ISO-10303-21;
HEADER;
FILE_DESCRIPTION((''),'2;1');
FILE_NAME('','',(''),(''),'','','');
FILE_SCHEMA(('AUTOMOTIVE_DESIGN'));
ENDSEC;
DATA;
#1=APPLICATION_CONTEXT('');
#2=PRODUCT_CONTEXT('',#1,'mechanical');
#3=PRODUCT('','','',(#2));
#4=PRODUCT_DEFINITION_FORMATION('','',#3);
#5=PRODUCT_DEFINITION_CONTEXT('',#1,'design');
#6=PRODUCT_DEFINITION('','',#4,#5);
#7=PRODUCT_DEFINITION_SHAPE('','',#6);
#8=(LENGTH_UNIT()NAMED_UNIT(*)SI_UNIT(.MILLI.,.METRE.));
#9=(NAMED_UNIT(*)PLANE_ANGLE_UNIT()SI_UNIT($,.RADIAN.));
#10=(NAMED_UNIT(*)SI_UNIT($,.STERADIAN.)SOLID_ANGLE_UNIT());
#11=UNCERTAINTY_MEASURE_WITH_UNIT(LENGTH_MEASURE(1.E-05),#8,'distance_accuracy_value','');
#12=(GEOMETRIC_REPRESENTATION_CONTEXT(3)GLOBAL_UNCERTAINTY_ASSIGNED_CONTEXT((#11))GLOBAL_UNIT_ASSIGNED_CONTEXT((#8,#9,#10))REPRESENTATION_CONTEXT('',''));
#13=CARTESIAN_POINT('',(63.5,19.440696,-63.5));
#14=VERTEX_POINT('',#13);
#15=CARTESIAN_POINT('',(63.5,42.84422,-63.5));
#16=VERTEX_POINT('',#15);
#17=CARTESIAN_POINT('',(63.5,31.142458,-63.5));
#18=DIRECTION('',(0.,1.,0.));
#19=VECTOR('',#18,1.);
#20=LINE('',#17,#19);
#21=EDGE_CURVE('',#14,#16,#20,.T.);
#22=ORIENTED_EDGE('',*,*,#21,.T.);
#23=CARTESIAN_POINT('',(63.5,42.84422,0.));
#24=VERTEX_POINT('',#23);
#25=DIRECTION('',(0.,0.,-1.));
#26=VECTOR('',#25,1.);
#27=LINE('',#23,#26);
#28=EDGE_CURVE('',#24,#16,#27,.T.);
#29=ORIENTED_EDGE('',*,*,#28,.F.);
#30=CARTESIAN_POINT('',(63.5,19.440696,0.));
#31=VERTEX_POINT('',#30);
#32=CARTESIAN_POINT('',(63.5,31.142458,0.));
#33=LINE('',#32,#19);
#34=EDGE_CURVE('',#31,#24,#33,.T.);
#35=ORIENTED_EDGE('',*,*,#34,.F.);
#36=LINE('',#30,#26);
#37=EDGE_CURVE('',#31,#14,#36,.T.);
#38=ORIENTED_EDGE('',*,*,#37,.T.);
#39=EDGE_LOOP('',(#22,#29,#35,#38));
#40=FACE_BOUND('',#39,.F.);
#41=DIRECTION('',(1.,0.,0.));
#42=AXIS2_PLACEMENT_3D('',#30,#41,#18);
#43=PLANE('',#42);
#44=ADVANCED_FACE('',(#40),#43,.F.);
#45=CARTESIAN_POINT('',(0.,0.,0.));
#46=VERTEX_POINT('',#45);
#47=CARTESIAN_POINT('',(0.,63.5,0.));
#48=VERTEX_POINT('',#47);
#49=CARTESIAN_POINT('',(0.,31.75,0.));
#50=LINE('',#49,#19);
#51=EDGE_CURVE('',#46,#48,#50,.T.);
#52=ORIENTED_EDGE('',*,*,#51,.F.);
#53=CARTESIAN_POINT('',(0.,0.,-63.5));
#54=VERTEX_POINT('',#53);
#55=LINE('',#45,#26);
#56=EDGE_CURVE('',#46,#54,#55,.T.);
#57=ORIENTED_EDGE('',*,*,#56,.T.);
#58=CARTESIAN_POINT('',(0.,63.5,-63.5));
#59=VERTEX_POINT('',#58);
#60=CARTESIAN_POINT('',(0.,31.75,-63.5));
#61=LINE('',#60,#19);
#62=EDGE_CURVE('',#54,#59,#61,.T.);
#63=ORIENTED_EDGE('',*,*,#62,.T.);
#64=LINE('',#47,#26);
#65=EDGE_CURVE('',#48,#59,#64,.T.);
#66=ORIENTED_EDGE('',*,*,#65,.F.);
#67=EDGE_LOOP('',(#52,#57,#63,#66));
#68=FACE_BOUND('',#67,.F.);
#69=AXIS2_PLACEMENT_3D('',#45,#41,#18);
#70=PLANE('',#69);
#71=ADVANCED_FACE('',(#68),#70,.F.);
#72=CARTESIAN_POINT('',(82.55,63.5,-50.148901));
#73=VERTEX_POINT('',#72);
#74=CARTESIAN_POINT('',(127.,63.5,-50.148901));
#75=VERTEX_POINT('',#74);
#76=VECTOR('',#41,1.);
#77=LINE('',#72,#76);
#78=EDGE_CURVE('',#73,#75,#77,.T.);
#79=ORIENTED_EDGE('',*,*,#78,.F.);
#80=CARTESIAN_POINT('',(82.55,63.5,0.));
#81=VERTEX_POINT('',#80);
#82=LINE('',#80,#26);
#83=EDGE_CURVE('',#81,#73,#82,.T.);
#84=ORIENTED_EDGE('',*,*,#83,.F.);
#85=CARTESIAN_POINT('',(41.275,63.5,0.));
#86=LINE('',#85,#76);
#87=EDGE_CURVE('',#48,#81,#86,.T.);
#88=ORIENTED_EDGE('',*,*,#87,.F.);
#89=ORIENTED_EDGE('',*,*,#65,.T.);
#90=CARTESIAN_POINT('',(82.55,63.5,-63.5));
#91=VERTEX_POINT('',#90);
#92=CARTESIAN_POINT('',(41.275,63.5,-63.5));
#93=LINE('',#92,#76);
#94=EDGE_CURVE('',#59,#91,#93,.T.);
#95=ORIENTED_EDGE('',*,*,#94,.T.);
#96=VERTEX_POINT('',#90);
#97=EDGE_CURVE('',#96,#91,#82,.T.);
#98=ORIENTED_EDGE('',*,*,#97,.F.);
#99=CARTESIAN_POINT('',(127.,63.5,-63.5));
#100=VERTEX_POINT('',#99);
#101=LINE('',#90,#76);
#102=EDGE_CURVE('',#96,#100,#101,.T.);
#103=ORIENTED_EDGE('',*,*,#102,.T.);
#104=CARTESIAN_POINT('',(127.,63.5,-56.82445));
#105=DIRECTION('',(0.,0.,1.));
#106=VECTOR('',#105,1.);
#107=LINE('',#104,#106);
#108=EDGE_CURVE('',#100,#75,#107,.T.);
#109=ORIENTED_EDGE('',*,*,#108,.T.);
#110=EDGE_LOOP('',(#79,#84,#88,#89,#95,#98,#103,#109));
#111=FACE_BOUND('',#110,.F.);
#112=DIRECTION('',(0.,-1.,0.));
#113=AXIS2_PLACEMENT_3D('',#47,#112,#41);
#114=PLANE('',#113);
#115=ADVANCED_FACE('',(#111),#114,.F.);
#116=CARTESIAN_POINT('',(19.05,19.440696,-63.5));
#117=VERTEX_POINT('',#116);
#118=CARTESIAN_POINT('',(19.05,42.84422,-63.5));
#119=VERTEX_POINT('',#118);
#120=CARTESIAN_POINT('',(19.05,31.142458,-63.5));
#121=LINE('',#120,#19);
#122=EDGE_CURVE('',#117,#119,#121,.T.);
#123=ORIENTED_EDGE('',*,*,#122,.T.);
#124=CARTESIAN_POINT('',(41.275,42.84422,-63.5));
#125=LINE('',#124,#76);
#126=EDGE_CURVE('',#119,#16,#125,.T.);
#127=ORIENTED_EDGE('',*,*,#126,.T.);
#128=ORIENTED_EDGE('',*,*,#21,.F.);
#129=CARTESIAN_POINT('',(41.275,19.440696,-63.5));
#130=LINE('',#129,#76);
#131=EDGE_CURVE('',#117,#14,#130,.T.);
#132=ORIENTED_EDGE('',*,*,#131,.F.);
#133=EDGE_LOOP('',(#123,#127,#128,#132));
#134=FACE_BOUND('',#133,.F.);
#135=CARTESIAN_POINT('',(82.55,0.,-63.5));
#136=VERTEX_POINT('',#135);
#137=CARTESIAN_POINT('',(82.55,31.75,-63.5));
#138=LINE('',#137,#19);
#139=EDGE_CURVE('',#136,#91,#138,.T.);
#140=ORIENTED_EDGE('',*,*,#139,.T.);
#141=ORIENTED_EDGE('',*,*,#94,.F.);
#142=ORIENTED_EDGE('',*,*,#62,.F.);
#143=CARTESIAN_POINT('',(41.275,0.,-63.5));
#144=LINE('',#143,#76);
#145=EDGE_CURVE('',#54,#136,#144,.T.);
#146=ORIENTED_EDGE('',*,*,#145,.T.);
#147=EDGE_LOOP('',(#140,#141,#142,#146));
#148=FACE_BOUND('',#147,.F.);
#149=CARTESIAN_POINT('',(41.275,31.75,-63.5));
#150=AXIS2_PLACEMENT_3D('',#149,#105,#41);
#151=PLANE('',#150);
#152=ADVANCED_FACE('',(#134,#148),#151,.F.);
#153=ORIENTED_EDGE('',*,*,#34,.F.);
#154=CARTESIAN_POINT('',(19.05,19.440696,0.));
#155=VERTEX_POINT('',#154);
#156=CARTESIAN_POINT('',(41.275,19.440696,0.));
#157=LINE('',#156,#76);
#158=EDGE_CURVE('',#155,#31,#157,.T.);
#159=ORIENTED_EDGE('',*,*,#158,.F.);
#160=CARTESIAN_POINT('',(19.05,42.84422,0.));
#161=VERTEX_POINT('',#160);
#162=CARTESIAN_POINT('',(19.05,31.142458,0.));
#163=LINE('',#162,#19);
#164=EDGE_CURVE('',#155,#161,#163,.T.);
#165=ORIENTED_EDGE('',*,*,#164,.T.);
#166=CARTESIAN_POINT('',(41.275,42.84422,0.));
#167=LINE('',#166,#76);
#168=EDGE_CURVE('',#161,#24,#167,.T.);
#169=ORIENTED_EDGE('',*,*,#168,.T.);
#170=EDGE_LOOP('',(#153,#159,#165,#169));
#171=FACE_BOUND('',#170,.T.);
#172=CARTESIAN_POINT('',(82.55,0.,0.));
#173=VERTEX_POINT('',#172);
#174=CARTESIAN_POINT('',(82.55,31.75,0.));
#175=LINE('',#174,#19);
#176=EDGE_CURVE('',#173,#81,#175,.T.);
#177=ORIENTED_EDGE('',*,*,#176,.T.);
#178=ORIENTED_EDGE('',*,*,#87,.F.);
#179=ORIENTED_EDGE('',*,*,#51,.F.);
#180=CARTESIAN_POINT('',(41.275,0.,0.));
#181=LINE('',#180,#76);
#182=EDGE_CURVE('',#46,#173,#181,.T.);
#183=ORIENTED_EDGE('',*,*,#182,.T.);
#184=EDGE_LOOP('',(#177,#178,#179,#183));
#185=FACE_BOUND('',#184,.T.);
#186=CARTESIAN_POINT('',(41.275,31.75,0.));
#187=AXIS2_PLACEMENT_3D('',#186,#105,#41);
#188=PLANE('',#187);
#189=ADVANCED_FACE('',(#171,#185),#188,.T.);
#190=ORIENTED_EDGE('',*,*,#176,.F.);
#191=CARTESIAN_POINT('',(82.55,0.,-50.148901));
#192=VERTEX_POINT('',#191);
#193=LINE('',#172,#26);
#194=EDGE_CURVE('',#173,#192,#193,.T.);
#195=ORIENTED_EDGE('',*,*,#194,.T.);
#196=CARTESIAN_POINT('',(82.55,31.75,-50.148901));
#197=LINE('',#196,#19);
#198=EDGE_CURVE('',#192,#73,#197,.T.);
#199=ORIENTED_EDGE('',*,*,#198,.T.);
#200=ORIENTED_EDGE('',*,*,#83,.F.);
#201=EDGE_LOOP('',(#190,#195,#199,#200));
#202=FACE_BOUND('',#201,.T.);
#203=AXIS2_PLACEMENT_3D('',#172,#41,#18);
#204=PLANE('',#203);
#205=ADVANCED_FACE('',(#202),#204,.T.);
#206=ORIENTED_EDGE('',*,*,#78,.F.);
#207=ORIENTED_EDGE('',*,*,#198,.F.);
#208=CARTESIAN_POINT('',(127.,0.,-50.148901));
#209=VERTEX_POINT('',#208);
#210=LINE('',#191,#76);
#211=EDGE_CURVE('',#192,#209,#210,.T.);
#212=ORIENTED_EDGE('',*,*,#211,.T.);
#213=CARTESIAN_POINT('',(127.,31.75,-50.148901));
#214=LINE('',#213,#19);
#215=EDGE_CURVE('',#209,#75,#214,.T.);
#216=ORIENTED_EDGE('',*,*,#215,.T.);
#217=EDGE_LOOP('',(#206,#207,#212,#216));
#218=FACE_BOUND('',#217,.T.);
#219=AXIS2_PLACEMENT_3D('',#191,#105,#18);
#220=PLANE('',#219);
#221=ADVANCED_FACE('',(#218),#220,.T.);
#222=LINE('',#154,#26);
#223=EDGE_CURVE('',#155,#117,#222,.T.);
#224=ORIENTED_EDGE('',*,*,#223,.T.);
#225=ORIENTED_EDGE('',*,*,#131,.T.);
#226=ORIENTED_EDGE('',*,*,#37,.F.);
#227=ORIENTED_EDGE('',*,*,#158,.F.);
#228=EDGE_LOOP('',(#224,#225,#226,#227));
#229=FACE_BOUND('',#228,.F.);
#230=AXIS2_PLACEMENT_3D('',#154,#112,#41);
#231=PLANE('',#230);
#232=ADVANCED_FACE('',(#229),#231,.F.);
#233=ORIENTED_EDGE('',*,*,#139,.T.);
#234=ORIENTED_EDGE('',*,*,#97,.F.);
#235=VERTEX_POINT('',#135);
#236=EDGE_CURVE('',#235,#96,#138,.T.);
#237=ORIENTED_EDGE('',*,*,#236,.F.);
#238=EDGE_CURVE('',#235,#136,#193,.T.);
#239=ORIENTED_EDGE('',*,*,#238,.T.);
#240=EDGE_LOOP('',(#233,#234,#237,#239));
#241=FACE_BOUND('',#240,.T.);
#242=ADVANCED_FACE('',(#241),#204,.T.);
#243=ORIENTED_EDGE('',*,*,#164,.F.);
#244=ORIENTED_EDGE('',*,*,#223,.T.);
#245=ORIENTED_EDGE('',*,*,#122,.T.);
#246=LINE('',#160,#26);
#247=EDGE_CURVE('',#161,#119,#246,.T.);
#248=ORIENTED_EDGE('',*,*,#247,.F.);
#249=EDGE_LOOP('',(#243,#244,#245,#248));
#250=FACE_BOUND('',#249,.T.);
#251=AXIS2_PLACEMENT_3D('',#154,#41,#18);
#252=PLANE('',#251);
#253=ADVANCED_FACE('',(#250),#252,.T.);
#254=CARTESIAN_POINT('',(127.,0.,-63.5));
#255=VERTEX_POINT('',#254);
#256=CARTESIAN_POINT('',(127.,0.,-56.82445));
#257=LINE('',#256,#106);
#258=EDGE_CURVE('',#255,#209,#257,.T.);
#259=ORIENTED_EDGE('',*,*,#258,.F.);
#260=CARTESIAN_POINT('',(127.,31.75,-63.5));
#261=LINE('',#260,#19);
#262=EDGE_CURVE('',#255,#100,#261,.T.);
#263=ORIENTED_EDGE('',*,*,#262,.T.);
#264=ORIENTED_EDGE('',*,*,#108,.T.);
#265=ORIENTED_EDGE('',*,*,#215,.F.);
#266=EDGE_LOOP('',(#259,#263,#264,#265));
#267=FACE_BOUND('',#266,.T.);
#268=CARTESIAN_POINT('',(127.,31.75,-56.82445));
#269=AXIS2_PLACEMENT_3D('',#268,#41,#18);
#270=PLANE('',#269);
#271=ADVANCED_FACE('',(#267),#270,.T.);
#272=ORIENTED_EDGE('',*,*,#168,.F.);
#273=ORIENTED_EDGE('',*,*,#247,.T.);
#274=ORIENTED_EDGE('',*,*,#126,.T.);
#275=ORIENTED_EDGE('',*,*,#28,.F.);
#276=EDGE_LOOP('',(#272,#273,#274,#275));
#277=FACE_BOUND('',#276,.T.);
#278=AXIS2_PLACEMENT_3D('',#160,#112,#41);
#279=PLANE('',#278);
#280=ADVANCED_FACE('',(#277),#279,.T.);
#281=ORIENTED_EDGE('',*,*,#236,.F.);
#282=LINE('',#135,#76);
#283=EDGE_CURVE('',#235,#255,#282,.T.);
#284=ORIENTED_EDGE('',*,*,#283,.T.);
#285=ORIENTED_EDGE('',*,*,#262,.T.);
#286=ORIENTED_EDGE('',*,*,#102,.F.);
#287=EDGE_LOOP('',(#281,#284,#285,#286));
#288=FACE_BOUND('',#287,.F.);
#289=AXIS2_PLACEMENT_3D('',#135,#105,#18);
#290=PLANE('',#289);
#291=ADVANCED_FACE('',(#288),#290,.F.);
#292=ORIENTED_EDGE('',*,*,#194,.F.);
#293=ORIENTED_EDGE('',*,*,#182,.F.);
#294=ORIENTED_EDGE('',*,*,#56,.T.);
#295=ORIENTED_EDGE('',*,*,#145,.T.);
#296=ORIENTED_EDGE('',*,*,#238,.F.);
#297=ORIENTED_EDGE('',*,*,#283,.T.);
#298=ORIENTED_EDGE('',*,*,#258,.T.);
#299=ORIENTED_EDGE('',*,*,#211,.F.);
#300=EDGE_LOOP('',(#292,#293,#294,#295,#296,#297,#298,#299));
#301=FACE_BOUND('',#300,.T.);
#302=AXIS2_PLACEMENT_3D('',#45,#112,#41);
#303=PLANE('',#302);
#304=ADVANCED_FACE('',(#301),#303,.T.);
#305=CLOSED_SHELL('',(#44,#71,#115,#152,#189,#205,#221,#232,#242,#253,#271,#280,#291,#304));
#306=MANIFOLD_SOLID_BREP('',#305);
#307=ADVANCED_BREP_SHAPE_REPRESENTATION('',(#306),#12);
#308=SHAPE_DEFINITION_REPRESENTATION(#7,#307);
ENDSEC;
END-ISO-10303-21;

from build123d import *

# Parameters (mm, degrees)
F0_W     = 82.55
F0_H     = 63.5
F0_W_2   = 44.45
F0_H_2   = 23.403525
F1_DEPTH = 63.5
F2_W     = 63.5
F2_H     = 13.351099
F3_DEPTH = 44.45


with BuildPart() as f1:
    # F0 (on Top) → F1 (new body)
    with BuildSketch(Plane.XY):
        with Locations((41.275, 31.75)):
            Rectangle(F0_W, F0_H)
        with Locations((41.275, 31.142458)):
            Rectangle(F0_W_2, F0_H_2, mode=Mode.SUBTRACT)
    extrude(amount=-F1_DEPTH)

    # F2 (on face) → F3 (join)
    with BuildSketch(Plane.YZ.offset(82.55)):
        with Locations((31.75, -56.82445)):
            Rectangle(F2_W, F2_H)
    extrude(amount=F3_DEPTH)


solid = f1.part
